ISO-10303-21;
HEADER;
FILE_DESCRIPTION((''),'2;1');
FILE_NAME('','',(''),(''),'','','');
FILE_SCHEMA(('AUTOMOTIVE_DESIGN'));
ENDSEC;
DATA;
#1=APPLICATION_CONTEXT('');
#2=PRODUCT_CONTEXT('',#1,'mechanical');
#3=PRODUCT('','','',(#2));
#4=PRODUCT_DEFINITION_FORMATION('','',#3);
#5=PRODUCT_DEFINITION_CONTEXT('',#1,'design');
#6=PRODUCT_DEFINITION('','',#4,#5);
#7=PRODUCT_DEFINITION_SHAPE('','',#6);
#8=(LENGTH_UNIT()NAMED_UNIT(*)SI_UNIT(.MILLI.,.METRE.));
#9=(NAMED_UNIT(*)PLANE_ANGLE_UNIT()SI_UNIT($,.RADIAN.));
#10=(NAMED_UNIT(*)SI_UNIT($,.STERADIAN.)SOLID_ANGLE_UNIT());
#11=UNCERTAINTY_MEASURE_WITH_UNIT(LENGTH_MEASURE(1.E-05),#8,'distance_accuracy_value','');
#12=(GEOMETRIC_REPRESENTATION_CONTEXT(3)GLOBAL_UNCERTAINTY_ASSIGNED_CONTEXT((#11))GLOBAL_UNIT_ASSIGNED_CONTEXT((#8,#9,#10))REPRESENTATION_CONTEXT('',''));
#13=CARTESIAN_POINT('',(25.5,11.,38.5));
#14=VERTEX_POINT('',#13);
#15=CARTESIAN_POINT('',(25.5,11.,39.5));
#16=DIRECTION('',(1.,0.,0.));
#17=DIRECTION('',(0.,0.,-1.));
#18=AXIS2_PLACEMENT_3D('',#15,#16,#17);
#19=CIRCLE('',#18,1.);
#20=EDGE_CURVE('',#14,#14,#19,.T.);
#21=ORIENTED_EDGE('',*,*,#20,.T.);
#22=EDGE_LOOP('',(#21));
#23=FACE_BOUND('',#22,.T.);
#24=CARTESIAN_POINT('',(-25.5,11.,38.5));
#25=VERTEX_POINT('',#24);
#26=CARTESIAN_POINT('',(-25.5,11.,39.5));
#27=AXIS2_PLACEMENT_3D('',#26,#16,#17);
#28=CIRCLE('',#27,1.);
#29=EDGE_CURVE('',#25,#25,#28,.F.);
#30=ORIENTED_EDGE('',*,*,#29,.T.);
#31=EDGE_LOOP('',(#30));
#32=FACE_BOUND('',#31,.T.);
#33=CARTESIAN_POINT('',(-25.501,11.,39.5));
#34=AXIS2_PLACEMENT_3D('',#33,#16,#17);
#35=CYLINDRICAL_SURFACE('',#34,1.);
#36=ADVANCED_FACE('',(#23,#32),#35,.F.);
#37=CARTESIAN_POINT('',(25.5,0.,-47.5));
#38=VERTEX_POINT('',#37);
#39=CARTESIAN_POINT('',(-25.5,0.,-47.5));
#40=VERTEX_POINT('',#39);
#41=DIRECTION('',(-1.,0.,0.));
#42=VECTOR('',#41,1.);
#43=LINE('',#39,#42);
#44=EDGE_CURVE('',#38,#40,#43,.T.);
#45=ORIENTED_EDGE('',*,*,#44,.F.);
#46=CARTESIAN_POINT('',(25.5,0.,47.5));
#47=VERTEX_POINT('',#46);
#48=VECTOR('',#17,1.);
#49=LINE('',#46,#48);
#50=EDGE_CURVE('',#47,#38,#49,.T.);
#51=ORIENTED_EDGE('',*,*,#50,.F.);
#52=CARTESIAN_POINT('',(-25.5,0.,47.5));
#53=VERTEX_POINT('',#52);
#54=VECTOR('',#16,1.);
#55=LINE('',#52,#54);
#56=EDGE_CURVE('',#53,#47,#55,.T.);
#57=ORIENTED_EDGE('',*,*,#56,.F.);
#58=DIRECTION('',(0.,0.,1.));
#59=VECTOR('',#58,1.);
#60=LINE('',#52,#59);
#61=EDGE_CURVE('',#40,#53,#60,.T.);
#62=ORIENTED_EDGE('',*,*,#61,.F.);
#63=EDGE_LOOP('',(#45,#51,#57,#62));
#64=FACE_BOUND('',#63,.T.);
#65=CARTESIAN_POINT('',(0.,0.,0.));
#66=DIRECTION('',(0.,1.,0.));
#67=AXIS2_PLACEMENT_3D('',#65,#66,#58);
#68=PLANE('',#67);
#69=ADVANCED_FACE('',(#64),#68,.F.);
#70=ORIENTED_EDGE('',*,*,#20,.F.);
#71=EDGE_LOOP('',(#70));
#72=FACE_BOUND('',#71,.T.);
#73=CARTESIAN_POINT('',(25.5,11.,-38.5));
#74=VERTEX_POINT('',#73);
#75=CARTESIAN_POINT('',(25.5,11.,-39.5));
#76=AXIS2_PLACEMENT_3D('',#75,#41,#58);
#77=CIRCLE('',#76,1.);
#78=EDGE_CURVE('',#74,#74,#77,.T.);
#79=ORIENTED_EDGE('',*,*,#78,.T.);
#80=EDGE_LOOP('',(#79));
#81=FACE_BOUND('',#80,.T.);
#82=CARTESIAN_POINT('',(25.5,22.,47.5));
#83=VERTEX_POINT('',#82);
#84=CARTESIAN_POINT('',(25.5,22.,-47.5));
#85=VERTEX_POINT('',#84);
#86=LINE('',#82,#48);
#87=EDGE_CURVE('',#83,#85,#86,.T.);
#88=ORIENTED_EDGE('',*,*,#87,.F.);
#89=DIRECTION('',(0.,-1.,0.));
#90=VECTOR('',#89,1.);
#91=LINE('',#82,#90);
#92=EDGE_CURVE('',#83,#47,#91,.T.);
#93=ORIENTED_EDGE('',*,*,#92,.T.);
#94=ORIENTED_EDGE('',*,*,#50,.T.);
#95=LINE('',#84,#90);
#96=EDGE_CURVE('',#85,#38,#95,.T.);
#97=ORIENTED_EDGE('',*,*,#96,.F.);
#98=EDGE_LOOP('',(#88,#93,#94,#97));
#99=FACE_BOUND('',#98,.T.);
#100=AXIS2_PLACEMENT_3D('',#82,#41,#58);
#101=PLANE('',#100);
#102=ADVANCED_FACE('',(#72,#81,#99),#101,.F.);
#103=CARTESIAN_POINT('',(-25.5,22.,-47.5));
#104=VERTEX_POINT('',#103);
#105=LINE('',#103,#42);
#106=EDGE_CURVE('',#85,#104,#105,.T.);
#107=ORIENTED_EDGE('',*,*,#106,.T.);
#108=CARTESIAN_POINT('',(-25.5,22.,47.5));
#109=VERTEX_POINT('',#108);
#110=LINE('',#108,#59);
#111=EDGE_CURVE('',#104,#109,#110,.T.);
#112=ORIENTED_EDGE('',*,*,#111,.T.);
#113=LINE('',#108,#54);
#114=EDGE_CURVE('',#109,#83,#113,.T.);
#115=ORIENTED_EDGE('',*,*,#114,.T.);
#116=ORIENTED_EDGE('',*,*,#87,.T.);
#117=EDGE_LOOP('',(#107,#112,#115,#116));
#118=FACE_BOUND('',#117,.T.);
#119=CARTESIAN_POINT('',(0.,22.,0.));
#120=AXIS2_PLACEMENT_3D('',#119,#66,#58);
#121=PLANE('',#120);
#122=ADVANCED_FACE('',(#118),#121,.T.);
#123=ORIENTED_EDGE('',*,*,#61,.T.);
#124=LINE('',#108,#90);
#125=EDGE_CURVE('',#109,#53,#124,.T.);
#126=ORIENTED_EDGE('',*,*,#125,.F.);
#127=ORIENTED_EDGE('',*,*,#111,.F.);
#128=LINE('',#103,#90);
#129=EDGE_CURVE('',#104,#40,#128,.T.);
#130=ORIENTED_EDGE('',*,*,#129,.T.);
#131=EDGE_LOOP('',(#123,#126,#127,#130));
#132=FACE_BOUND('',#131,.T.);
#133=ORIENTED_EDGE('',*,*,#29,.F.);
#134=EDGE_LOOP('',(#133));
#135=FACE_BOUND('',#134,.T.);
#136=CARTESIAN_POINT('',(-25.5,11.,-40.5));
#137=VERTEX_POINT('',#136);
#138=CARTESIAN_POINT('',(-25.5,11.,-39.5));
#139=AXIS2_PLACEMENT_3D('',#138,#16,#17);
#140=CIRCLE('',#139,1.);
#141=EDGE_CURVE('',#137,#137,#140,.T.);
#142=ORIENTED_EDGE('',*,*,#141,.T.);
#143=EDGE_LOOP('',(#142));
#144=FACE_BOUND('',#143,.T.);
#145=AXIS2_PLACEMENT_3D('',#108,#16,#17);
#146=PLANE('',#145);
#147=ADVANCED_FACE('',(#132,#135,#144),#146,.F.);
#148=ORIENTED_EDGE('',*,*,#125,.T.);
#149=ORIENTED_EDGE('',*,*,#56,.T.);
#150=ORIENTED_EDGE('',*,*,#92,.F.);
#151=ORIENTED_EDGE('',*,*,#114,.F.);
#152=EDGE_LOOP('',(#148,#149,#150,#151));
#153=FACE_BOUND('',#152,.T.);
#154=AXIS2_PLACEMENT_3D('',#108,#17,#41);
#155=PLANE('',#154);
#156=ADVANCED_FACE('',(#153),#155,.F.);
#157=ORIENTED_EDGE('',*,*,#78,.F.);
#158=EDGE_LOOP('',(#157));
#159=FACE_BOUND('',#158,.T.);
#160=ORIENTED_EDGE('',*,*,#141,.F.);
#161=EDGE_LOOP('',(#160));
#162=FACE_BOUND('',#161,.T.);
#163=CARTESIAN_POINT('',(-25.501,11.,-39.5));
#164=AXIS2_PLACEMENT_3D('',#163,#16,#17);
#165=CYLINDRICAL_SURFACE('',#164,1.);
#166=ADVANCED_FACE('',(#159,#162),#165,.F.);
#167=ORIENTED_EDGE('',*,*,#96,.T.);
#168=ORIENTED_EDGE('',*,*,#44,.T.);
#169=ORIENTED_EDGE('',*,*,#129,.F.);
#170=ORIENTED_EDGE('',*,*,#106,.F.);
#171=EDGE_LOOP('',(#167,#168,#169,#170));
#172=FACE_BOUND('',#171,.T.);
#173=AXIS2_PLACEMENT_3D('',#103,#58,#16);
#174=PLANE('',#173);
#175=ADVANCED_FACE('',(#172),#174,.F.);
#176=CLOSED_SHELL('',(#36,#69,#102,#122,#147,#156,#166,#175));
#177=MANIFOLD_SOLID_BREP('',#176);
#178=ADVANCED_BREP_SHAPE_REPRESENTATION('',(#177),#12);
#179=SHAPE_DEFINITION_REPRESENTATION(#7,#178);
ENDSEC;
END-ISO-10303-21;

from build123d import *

# Parameters (mm, degrees)
SKETCH_1_W          = 51
SKETCH_1_H          = 95
EXTRUDE_1_DEPTH     = 22
SKETCH_2_R          = 1
CUT_EXTRUDE_1_DEPTH = 51


with BuildPart() as part:
    # 草图1 → 凸台-拉伸1 (new body)
    with BuildSketch(Plane(origin=(0, 0, 0), x_dir=(1, 0, 0), z_dir=(0, 1, 0))):
        Rectangle(SKETCH_1_W, SKETCH_1_H)
    extrude(amount=EXTRUDE_1_DEPTH)

    # 草图2 → 切除-拉伸1 (cut)
    with BuildSketch(Plane(origin=(25.5, 0, 0), x_dir=(0, 0, -1), z_dir=(1, 0, 0))):
        with Locations((-39.5, 11)):
            Circle(SKETCH_2_R)
    cut_extrude_1 = extrude(amount=-CUT_EXTRUDE_1_DEPTH, mode=Mode.SUBTRACT)

    # 镜向1: 切除-拉伸1 across plane
    add(cut_extrude_1.mirror(Plane.XY), mode=Mode.SUBTRACT)


solid = part.part
